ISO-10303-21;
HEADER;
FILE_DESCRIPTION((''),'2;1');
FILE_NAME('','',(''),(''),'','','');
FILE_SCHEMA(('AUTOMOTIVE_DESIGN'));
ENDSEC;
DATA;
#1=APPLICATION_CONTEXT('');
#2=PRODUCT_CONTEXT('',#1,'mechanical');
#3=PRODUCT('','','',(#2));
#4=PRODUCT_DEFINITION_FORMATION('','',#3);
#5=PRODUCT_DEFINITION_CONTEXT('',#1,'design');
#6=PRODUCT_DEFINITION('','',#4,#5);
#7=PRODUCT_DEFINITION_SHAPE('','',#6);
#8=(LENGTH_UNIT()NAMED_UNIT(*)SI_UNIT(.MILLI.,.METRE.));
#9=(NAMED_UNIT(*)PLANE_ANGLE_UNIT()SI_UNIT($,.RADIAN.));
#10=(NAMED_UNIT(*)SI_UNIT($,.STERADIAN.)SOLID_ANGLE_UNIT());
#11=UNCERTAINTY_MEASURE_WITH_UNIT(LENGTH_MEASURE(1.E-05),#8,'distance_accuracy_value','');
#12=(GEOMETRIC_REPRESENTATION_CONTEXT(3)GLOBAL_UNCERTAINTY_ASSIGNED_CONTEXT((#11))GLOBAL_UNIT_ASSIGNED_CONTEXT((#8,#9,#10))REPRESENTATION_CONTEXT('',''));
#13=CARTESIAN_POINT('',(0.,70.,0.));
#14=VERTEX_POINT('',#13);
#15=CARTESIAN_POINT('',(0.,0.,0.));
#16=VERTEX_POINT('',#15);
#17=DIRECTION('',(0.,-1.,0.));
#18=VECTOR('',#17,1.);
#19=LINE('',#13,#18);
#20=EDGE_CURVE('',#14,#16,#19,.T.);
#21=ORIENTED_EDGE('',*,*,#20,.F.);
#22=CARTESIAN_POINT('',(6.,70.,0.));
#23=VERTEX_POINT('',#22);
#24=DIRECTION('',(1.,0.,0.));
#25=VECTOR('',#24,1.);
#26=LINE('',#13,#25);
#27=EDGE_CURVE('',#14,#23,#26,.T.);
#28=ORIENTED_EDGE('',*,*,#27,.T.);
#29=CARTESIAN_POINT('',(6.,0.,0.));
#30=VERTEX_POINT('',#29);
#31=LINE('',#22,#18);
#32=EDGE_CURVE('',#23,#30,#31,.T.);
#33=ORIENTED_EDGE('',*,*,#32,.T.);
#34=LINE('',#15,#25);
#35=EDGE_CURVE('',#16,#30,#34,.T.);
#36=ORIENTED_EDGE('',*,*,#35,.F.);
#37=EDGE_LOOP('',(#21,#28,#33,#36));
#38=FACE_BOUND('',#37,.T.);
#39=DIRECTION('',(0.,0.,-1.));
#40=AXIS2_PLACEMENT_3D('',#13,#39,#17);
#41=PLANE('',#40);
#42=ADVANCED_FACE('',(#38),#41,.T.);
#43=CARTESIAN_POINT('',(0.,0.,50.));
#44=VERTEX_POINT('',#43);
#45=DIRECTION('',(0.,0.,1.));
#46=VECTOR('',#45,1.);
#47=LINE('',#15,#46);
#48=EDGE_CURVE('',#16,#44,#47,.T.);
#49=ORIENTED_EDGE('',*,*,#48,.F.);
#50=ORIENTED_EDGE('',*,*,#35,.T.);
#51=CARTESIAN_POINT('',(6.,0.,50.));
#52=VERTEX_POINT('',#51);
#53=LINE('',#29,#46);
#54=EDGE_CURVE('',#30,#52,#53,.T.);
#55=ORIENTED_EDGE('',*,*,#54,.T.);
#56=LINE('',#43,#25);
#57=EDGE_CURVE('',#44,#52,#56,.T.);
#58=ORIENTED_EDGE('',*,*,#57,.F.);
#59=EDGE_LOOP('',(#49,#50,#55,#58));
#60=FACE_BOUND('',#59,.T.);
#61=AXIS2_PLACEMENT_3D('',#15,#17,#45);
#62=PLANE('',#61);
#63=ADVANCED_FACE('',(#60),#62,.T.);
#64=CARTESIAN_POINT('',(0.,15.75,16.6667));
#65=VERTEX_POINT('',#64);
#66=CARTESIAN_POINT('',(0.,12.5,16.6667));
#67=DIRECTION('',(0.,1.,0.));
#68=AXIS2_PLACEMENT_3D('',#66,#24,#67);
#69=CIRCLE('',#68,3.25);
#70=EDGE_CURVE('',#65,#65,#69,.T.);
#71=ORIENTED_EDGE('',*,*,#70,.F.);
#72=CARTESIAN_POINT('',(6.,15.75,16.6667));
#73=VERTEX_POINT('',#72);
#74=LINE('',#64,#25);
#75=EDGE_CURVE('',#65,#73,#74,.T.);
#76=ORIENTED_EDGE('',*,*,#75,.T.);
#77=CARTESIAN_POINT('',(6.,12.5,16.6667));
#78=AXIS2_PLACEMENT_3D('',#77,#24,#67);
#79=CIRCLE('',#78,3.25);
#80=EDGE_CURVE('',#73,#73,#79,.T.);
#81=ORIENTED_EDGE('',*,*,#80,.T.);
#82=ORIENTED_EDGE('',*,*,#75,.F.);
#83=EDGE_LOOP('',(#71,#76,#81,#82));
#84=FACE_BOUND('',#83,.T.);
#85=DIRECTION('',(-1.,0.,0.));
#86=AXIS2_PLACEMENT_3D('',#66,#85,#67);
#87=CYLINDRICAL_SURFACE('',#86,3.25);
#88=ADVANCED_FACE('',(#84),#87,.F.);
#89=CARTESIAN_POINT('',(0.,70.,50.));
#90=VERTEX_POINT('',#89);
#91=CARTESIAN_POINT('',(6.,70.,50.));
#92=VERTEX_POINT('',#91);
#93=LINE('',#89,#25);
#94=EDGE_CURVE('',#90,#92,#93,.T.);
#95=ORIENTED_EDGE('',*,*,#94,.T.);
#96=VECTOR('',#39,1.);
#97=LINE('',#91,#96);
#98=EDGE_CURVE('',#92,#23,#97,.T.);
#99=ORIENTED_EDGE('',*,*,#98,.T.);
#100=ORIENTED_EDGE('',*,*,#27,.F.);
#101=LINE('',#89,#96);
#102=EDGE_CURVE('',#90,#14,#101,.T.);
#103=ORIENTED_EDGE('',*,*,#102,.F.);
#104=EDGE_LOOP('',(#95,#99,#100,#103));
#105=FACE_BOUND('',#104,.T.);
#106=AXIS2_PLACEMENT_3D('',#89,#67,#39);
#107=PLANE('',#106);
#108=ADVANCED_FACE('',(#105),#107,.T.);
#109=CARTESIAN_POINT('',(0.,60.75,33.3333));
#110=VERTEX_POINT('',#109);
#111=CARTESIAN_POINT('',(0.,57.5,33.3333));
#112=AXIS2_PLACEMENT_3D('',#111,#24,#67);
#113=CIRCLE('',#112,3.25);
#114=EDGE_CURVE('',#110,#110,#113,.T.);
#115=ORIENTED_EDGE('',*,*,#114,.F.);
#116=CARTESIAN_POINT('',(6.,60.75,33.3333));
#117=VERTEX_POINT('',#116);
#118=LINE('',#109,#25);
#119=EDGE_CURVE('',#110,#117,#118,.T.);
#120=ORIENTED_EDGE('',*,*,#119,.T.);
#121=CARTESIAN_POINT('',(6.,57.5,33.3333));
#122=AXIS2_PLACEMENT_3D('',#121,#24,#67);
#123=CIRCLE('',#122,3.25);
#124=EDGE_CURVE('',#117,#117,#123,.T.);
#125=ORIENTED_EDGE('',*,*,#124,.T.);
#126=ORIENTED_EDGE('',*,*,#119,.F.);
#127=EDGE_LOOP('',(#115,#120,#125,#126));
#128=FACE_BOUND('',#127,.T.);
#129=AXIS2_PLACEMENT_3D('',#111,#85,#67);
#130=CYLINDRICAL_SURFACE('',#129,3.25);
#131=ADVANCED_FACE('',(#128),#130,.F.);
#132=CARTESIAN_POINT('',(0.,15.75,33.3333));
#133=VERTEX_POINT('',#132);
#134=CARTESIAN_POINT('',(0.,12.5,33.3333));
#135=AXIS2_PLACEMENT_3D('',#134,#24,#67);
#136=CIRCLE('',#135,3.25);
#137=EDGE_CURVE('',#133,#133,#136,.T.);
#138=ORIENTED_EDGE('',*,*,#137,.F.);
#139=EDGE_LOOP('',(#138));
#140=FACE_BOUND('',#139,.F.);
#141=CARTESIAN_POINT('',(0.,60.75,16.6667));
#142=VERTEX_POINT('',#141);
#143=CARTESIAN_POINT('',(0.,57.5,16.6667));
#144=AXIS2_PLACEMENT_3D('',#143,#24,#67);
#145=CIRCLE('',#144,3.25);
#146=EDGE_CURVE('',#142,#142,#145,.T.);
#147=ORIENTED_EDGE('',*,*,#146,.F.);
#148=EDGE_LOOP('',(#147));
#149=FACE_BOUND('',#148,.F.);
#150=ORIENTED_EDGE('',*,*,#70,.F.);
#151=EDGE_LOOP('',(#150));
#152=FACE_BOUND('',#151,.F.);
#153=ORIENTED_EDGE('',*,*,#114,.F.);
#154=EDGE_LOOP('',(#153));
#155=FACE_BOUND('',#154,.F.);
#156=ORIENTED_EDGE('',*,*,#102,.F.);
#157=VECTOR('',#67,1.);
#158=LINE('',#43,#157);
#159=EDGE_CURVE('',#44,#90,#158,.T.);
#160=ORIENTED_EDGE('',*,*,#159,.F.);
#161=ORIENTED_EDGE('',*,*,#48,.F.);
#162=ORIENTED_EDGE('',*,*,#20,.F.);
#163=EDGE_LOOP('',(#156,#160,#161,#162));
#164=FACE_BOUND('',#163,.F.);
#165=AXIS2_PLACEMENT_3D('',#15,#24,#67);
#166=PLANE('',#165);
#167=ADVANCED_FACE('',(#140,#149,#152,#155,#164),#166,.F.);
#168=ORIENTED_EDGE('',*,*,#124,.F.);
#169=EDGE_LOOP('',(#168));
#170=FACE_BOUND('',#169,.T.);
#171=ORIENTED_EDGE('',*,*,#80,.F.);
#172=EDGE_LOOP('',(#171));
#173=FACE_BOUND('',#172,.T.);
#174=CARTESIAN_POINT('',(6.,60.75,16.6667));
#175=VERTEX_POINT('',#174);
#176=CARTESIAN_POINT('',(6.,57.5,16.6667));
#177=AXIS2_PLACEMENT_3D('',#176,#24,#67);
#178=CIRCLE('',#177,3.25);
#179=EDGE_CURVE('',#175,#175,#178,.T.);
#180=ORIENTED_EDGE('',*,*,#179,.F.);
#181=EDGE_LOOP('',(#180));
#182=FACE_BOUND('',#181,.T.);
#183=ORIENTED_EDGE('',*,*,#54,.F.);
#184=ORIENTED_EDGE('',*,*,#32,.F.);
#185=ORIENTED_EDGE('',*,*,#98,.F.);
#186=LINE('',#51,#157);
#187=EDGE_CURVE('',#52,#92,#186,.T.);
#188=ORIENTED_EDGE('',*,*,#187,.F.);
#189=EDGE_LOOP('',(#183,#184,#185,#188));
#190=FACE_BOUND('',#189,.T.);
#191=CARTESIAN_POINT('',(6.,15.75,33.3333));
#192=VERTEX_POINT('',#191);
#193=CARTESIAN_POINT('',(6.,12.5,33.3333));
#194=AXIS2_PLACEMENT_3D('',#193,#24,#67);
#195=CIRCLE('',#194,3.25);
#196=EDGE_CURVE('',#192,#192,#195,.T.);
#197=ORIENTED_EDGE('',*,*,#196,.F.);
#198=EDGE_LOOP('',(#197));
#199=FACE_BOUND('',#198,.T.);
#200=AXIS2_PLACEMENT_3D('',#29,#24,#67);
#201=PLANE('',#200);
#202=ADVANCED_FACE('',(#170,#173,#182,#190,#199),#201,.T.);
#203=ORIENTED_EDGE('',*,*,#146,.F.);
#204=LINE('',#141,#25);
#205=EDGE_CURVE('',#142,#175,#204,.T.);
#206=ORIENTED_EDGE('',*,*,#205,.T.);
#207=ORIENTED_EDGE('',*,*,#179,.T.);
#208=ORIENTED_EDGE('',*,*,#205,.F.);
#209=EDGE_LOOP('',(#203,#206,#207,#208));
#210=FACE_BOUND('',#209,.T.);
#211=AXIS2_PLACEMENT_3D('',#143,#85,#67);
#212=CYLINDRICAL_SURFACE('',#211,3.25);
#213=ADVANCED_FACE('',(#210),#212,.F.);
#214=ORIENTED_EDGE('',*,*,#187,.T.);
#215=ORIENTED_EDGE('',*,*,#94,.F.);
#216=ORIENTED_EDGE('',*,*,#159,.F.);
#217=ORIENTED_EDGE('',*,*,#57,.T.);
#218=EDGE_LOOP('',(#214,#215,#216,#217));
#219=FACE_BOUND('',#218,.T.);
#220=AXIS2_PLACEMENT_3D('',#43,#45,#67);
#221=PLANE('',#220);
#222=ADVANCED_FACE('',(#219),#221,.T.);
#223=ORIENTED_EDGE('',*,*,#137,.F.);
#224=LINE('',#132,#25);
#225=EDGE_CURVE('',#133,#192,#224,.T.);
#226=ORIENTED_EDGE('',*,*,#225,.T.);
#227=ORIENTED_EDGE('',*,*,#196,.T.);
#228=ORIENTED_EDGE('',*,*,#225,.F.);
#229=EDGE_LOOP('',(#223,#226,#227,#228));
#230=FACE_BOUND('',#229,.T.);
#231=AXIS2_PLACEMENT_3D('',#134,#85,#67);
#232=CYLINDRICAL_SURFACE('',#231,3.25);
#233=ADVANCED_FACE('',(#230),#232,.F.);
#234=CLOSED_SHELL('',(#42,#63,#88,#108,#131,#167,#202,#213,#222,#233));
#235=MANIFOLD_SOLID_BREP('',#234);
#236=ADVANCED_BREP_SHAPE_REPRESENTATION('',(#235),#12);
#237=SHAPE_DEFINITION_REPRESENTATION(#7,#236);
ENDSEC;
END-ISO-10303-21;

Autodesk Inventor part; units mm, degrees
ref_plane "YZ Plane" through (0, 0, 0) normal (1, 0, 0) x (0, 1, 0)
ref_plane "XZ Plane" through (0, 0, 0) normal (0, 1, 0) x (-1, 0, 0)
ref_plane "XY Plane" through (0, 0, 0) normal (0, 0, 1) x (1, 0, 0)
sketch "Sketch1" plane through (0, 0, 0) normal (1, 0, 0) x (0, 1, 0)
  line L0 (0, 0) -> (0, 50)
  line L1 (0, 50) -> (70, 50)
  line L2 (70, 50) -> (70, 0)
  line L3 (70, 0) -> (0, 0)
  circle A0 centre (57.5, 16.6667) radius 3.25
  circle A1 centre (57.5, 33.3333) radius 3.25
  circle A2 centre (12.5, 33.3333) radius 3.25
  circle A3 centre (12.5, 16.6667) radius 3.25
  dimension "d0" = 50
  dimension "d1" = 70
  dimension "d2" = 6.5
  dimension "d3" = 6.5
  dimension "d4" = 6.5
  dimension "d5" = 6.5
extrude "Extrusion1" add sketch "Sketch1" along normal blind 6
properties part number "Roter_shaft_support_vertical"
